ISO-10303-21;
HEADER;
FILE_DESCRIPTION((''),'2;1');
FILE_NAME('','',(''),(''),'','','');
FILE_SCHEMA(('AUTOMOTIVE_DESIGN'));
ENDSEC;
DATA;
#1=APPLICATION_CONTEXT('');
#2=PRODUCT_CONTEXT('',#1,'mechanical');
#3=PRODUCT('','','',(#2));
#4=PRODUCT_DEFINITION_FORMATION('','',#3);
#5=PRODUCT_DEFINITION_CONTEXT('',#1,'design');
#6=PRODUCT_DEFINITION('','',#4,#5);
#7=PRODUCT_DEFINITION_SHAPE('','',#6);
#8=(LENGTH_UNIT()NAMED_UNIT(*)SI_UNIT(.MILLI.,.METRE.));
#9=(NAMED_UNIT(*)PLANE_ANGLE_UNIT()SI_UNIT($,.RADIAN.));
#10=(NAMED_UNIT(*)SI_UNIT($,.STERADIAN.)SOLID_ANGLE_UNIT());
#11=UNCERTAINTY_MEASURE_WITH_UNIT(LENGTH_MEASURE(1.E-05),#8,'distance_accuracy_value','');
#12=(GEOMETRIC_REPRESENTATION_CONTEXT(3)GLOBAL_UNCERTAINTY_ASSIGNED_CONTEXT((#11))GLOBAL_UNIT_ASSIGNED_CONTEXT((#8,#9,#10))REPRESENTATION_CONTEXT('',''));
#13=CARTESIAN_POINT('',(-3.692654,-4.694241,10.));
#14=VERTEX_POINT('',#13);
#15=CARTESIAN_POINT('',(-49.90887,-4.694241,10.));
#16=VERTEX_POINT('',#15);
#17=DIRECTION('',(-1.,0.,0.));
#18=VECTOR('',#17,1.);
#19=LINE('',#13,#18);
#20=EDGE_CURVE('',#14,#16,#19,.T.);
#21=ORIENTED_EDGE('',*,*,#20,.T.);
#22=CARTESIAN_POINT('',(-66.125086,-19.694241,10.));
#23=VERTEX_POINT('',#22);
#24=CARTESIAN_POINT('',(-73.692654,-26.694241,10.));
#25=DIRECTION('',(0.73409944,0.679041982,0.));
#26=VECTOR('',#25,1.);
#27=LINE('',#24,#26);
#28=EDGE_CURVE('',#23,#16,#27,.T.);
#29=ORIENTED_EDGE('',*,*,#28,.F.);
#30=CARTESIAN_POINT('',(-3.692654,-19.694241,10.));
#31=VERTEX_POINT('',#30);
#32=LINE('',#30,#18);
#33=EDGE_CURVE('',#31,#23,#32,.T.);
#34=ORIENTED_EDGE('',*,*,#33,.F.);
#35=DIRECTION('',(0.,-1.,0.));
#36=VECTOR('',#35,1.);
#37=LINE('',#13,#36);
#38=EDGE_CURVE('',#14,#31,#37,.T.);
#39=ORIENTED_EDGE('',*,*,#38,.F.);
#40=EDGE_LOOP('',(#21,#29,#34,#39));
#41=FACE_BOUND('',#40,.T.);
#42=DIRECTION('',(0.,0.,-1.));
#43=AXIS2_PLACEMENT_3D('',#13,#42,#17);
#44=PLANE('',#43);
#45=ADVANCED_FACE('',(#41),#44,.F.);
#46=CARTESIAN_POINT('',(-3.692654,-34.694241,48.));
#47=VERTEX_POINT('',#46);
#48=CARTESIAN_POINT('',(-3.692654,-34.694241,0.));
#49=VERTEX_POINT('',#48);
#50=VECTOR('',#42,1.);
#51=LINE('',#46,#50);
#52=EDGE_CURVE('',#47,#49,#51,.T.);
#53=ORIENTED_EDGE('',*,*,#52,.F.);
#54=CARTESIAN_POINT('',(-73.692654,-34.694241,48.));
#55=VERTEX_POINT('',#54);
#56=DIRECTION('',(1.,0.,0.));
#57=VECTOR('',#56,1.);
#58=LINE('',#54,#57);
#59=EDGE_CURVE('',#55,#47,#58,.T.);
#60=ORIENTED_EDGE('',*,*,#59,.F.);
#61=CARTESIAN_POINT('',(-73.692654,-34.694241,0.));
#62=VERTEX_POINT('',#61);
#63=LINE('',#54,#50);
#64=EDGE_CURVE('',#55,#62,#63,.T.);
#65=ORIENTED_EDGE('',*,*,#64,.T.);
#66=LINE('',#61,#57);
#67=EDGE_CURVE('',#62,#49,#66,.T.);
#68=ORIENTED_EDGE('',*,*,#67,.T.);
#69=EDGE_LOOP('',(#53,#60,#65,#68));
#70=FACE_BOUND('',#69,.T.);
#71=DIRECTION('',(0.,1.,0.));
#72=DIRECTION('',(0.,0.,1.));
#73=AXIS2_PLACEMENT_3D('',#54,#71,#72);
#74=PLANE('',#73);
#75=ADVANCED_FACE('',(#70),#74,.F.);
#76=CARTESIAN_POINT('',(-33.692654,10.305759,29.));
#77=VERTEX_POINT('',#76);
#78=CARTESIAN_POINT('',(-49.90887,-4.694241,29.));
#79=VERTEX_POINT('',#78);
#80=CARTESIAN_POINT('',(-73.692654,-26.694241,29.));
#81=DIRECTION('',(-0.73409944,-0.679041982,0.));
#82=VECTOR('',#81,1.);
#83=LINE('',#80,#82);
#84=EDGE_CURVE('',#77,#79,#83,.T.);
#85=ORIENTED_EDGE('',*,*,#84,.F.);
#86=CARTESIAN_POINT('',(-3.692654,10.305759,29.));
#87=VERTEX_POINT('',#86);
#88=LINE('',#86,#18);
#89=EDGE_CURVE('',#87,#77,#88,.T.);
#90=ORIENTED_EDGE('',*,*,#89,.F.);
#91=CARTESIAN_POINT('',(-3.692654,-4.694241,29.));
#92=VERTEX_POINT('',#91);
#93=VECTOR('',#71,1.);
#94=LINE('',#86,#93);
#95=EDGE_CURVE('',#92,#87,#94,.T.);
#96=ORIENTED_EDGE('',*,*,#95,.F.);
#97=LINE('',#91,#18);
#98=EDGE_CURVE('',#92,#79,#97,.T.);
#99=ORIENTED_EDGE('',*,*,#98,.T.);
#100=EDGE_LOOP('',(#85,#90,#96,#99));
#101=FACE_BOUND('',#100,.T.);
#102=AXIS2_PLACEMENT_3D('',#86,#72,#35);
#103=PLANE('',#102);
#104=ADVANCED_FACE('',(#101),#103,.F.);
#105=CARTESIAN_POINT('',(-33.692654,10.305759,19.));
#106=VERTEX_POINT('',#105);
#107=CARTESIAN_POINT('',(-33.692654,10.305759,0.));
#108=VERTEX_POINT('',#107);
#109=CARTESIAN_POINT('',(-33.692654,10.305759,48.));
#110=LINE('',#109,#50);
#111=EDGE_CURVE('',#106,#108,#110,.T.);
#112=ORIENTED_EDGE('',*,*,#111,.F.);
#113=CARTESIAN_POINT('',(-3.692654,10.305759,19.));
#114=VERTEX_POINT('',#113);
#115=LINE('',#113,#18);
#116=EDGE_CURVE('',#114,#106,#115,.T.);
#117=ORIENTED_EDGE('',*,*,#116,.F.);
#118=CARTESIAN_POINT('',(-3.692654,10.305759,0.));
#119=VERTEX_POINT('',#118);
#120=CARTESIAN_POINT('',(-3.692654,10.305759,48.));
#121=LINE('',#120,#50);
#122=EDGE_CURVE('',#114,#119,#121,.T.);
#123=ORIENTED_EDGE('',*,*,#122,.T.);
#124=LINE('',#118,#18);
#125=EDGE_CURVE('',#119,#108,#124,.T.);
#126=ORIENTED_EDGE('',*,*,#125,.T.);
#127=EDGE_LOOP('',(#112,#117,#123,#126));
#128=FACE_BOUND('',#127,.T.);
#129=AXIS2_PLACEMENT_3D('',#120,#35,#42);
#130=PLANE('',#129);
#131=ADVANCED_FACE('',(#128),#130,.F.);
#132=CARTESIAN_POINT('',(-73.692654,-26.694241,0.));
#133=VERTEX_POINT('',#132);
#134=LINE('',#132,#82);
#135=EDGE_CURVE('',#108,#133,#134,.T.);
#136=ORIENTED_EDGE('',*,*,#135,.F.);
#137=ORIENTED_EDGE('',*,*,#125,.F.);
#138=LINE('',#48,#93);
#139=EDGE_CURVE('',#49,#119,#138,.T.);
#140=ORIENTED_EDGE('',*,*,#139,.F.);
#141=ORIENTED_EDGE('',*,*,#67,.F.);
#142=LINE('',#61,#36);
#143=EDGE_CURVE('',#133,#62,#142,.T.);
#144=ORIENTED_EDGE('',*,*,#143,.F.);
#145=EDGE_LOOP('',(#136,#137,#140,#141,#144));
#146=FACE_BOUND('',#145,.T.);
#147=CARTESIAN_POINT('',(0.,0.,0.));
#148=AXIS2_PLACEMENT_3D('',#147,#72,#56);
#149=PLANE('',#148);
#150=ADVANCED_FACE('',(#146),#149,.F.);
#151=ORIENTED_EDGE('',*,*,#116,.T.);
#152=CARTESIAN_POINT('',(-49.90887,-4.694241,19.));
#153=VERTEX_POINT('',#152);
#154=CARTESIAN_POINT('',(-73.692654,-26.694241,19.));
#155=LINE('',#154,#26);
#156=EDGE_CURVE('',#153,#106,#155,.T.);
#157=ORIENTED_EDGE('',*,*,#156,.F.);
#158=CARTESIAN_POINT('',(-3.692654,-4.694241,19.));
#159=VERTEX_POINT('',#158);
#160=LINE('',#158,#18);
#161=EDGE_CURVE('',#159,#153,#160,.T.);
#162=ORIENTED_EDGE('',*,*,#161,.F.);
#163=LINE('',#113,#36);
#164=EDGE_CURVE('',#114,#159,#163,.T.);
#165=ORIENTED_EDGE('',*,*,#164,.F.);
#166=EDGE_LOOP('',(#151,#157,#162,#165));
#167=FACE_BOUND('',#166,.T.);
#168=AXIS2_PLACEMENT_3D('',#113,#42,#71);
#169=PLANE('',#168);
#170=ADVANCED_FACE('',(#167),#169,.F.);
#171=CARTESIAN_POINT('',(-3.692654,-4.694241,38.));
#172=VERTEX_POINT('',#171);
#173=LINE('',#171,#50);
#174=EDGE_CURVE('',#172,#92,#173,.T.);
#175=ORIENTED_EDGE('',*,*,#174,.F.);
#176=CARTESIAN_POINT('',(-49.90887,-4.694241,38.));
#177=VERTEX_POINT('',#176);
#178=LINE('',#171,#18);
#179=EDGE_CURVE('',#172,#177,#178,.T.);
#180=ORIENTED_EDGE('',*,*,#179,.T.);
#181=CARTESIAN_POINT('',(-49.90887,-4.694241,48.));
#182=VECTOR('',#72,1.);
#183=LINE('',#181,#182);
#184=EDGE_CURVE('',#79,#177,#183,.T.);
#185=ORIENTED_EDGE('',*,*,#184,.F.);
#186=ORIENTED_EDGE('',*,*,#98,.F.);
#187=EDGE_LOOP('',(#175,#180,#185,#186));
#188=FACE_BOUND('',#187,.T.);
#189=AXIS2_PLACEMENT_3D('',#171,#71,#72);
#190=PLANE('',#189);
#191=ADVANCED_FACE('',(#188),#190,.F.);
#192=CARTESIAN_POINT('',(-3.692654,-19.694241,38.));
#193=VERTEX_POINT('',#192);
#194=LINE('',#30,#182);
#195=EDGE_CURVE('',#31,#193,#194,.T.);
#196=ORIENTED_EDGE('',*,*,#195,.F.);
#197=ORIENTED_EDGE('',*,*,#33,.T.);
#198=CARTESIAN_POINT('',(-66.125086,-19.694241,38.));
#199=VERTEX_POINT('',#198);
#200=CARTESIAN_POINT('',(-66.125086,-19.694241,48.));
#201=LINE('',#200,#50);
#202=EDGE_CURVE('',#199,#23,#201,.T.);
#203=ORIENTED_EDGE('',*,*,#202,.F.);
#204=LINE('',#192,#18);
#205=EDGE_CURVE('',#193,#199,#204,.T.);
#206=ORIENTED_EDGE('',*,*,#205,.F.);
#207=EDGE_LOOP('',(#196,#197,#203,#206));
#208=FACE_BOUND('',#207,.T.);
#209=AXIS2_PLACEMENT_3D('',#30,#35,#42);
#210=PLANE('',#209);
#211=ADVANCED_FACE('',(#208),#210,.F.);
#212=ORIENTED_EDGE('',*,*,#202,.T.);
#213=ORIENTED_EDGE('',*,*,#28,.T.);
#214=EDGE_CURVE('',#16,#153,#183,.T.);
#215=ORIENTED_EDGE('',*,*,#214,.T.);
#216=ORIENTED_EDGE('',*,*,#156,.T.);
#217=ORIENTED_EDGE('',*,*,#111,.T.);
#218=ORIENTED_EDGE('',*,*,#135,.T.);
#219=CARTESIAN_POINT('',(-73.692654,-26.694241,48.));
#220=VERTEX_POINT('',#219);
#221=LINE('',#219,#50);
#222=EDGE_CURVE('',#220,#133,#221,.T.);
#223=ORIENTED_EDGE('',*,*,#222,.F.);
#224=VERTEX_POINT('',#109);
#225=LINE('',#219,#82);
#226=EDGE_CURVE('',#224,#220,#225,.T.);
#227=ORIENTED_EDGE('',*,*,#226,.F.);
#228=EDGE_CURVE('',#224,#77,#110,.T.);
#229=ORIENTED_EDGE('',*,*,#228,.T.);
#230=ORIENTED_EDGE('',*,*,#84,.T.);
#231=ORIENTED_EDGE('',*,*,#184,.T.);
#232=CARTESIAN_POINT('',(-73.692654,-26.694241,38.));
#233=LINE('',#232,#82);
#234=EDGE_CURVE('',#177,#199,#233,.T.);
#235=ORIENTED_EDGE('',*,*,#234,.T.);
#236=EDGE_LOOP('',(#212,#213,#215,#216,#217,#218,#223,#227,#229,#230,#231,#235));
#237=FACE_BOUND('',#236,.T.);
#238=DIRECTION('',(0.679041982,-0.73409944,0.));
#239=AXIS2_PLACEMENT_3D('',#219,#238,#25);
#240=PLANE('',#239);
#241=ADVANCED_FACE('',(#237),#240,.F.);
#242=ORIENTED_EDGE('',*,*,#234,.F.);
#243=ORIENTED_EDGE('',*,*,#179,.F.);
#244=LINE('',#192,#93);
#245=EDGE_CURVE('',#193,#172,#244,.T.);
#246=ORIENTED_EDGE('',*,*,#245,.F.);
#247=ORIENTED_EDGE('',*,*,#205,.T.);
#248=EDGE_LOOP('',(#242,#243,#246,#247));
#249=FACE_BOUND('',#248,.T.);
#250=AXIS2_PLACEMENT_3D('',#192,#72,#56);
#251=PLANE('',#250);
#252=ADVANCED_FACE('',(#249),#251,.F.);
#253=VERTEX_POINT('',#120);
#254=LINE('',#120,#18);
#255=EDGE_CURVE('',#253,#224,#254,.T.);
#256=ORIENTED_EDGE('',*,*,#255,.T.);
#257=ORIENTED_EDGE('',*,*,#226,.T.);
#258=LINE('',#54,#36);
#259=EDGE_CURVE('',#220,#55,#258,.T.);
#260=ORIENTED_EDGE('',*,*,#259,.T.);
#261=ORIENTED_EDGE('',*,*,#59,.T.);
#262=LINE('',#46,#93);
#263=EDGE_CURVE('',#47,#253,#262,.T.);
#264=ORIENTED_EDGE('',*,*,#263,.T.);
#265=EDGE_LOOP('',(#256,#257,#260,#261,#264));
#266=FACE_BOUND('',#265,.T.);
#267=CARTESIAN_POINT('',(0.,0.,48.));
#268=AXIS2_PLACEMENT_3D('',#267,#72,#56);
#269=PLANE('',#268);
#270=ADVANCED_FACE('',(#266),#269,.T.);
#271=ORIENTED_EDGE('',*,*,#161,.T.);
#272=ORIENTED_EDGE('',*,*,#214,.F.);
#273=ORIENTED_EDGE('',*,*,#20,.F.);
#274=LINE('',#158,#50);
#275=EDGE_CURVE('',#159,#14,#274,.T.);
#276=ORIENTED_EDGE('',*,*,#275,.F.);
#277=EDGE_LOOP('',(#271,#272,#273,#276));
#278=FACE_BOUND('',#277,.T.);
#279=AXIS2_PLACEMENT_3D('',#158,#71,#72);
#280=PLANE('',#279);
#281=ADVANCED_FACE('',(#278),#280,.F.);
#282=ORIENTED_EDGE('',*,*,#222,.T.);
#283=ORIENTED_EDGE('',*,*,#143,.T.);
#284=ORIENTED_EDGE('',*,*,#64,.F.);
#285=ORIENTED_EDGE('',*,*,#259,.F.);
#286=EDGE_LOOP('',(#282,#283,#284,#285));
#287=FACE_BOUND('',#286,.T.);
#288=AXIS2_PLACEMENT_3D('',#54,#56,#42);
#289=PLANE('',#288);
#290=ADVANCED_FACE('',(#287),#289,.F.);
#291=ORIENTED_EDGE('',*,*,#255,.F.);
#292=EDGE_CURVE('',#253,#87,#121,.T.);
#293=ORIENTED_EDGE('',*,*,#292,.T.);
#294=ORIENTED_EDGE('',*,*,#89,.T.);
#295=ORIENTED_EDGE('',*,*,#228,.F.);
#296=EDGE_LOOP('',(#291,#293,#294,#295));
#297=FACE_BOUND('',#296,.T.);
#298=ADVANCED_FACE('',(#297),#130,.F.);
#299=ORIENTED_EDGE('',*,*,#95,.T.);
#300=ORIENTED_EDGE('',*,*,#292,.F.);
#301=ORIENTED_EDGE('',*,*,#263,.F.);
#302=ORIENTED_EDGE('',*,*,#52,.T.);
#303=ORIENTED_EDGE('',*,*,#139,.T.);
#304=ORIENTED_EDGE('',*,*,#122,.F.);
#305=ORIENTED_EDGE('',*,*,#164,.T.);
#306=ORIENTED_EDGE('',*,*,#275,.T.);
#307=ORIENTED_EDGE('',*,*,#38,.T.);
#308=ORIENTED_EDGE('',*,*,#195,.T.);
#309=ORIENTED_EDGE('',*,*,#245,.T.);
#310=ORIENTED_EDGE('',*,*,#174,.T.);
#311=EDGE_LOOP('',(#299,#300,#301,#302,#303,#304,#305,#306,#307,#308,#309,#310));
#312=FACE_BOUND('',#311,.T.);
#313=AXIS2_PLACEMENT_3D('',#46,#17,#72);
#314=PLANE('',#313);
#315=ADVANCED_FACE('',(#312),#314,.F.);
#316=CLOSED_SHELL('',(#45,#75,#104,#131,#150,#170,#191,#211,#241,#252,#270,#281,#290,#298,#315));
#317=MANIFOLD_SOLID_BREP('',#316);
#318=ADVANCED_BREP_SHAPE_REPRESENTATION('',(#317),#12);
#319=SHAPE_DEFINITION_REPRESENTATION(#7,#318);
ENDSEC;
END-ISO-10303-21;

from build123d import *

# Parameters (mm, degrees)
BOSS_EXTRUDE1_DEPTH = 48
CUT_EXTRUDE1_DEPTH  = 70


with BuildPart() as part:
    # Sketch1 → Boss-Extrude1 (new body)
    with BuildSketch(Plane.XY):
        Polygon((-73.692653745, -34.694240524), (-3.692653745, -34.694240524), (-3.692653745, 10.305759476), (-33.692653745, 10.305759476), (-73.692653745, -26.694240524), align=None)
    extrude(amount=BOSS_EXTRUDE1_DEPTH)

    # Sketch2 → Cut-Extrude1 (cut)
    with BuildSketch(Plane.ZY.offset(73.692653745)):
        Polygon((19, 10.305759476), (29, 10.305759476), (29, -4.694240524), (38, -4.694240524), (38, -19.694240524), (10, -19.694240524), (10, -4.694240524), (19, -4.694240524), align=None)
    extrude(amount=-CUT_EXTRUDE1_DEPTH, mode=Mode.SUBTRACT)


solid = part.part
